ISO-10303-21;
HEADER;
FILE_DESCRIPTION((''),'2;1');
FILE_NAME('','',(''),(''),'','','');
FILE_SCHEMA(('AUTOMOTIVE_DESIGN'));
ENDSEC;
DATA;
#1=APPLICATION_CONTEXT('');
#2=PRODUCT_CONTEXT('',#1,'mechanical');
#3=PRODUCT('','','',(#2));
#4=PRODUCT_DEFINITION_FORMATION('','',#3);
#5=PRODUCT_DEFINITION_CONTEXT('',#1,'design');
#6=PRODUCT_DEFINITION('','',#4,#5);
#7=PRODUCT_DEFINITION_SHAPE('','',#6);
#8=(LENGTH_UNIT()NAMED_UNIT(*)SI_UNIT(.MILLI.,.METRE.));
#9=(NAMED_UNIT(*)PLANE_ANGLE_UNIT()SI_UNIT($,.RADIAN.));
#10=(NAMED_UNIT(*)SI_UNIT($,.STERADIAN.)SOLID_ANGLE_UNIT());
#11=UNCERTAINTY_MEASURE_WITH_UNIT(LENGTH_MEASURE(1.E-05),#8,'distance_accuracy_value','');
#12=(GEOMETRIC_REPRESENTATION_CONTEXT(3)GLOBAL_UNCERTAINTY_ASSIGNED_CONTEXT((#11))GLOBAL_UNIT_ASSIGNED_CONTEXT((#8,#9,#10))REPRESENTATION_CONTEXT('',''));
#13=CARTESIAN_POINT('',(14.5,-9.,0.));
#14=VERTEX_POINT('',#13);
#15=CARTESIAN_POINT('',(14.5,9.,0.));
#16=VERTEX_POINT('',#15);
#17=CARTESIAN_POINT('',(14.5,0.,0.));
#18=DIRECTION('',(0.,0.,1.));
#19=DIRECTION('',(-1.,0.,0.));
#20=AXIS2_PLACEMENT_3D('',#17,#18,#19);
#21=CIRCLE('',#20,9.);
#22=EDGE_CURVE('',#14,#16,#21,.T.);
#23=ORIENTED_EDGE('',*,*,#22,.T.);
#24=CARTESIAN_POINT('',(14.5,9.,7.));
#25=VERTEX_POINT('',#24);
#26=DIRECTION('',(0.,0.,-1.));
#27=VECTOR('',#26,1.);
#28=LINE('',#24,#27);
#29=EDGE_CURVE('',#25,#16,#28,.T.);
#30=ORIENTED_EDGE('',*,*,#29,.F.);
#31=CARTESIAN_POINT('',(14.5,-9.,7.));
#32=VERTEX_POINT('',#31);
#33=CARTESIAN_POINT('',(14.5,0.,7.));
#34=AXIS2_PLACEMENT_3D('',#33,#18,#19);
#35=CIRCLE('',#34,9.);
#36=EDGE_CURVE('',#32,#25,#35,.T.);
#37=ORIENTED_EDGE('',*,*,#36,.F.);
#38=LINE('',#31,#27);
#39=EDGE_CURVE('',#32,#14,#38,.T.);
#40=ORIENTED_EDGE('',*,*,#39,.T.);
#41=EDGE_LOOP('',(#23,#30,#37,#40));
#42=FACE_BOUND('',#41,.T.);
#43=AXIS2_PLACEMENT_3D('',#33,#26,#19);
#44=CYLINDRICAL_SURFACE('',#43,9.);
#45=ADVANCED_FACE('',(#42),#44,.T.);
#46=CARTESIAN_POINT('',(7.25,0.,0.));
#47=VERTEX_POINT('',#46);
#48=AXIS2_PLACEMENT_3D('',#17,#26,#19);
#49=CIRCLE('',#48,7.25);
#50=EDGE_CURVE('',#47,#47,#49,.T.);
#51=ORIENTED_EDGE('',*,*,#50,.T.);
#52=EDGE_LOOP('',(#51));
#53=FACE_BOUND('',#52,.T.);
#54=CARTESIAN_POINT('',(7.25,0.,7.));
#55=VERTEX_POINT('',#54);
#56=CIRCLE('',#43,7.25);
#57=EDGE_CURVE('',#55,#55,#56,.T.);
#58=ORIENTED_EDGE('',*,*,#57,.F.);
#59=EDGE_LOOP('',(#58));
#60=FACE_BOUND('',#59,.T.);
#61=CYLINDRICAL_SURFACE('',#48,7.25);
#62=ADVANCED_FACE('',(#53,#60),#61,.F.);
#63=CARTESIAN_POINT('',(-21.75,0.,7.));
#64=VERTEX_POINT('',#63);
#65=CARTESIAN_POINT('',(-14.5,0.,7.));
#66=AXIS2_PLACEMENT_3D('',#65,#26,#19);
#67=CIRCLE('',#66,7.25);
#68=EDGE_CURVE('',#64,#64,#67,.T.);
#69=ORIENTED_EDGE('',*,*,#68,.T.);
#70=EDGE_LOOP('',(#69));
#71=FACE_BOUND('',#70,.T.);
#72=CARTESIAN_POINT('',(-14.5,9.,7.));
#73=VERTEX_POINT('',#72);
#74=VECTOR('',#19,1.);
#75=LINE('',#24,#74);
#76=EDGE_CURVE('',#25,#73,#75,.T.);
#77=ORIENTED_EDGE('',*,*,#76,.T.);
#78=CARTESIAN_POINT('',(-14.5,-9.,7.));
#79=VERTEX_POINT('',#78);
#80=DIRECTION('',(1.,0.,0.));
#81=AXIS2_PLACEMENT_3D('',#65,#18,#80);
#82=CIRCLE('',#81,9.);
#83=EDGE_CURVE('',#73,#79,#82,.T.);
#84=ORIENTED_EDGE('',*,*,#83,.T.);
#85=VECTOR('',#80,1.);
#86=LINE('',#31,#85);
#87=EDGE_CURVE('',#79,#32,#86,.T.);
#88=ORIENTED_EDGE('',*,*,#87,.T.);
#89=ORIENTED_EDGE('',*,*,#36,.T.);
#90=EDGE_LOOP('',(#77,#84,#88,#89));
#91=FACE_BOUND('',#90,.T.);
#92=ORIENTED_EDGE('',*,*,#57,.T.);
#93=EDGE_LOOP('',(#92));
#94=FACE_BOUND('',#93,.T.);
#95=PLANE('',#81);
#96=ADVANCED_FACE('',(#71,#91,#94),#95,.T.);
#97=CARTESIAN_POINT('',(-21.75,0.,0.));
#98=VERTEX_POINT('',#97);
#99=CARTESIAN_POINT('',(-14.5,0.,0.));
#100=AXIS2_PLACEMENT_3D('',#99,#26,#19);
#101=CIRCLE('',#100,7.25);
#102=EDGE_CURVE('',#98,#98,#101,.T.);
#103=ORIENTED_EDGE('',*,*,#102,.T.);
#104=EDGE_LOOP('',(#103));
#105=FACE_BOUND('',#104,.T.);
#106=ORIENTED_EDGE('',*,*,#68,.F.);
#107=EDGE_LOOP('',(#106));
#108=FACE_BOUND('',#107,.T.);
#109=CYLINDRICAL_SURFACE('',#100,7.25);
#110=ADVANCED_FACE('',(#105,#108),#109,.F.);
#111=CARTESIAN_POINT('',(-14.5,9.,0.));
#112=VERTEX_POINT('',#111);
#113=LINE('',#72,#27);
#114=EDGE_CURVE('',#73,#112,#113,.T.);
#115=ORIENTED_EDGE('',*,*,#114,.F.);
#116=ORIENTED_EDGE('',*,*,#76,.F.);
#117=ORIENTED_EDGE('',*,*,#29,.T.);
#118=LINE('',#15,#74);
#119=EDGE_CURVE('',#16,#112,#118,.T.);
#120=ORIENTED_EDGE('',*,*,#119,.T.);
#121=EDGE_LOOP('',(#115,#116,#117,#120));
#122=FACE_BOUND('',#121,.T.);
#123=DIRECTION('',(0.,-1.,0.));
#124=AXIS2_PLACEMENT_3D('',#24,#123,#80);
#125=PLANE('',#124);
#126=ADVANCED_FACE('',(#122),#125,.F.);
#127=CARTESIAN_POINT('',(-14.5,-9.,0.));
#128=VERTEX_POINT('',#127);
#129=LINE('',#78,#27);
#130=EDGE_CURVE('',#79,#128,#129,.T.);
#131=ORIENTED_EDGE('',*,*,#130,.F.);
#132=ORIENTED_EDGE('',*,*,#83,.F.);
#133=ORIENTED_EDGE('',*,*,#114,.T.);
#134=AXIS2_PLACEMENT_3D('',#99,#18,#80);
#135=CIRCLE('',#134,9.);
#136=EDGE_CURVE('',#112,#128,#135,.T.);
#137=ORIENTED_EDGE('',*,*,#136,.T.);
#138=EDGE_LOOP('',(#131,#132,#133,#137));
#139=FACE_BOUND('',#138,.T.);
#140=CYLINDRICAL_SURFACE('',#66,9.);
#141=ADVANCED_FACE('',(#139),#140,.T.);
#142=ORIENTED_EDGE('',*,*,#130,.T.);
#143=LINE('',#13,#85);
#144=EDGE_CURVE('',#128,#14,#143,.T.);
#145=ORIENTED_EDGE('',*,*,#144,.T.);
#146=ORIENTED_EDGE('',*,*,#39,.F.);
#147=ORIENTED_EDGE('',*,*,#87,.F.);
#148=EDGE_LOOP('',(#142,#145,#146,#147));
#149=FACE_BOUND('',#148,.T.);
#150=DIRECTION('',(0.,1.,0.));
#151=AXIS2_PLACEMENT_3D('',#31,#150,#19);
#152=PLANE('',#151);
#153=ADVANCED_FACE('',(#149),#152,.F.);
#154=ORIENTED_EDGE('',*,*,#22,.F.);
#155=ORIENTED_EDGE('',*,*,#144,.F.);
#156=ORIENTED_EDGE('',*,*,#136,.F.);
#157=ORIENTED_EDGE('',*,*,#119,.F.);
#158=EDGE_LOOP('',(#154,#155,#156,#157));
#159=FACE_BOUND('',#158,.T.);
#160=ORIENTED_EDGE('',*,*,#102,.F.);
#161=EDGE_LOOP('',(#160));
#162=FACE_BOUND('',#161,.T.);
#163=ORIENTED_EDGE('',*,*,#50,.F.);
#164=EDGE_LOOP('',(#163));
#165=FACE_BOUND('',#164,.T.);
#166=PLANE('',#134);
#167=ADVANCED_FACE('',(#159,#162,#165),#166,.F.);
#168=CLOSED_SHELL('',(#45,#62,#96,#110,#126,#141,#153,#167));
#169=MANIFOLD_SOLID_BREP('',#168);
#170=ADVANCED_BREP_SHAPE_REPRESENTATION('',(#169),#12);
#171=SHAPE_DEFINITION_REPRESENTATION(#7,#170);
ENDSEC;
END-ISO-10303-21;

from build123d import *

# Parameters (mm, degrees)
EXTRUDE_1_DEPTH = 7
M16X1_51_D      = 14.5


with BuildPart() as part:
    # Эскиз1 → Бобышка-Вытянуть1 (new body)
    with BuildSketch(Plane.XY):
        with BuildLine():
            Line((14.5, 9), (-14.5, 9))
            ThreePointArc((-14.5, 9), (-23.5, 0), (-14.5, -9))
            Line((-14.5, -9), (14.5, -9))
            ThreePointArc((14.5, -9), (23.5, 0), (14.5, 9))
        make_face()
    extrude(amount=EXTRUDE_1_DEPTH)

    # Отверстие обработанное метчиком M16x1.51 (through all)
    with Locations(Plane(origin=(0, 0, 0), x_dir=(-1, 0, 0), z_dir=(0, 0, -1))):
        with Locations((14.5, 0)):
            m16x1_51 = Hole(M16X1_51_D / 2)

    # Зеркальное отражение1: Отверстие обработанное метчиком M16x1.51 across plane
    add(m16x1_51.mirror(Plane(origin=(0, 0, 0), x_dir=(0, 0, 1), z_dir=(1, 0, 0))), mode=Mode.SUBTRACT)


solid = part.part
